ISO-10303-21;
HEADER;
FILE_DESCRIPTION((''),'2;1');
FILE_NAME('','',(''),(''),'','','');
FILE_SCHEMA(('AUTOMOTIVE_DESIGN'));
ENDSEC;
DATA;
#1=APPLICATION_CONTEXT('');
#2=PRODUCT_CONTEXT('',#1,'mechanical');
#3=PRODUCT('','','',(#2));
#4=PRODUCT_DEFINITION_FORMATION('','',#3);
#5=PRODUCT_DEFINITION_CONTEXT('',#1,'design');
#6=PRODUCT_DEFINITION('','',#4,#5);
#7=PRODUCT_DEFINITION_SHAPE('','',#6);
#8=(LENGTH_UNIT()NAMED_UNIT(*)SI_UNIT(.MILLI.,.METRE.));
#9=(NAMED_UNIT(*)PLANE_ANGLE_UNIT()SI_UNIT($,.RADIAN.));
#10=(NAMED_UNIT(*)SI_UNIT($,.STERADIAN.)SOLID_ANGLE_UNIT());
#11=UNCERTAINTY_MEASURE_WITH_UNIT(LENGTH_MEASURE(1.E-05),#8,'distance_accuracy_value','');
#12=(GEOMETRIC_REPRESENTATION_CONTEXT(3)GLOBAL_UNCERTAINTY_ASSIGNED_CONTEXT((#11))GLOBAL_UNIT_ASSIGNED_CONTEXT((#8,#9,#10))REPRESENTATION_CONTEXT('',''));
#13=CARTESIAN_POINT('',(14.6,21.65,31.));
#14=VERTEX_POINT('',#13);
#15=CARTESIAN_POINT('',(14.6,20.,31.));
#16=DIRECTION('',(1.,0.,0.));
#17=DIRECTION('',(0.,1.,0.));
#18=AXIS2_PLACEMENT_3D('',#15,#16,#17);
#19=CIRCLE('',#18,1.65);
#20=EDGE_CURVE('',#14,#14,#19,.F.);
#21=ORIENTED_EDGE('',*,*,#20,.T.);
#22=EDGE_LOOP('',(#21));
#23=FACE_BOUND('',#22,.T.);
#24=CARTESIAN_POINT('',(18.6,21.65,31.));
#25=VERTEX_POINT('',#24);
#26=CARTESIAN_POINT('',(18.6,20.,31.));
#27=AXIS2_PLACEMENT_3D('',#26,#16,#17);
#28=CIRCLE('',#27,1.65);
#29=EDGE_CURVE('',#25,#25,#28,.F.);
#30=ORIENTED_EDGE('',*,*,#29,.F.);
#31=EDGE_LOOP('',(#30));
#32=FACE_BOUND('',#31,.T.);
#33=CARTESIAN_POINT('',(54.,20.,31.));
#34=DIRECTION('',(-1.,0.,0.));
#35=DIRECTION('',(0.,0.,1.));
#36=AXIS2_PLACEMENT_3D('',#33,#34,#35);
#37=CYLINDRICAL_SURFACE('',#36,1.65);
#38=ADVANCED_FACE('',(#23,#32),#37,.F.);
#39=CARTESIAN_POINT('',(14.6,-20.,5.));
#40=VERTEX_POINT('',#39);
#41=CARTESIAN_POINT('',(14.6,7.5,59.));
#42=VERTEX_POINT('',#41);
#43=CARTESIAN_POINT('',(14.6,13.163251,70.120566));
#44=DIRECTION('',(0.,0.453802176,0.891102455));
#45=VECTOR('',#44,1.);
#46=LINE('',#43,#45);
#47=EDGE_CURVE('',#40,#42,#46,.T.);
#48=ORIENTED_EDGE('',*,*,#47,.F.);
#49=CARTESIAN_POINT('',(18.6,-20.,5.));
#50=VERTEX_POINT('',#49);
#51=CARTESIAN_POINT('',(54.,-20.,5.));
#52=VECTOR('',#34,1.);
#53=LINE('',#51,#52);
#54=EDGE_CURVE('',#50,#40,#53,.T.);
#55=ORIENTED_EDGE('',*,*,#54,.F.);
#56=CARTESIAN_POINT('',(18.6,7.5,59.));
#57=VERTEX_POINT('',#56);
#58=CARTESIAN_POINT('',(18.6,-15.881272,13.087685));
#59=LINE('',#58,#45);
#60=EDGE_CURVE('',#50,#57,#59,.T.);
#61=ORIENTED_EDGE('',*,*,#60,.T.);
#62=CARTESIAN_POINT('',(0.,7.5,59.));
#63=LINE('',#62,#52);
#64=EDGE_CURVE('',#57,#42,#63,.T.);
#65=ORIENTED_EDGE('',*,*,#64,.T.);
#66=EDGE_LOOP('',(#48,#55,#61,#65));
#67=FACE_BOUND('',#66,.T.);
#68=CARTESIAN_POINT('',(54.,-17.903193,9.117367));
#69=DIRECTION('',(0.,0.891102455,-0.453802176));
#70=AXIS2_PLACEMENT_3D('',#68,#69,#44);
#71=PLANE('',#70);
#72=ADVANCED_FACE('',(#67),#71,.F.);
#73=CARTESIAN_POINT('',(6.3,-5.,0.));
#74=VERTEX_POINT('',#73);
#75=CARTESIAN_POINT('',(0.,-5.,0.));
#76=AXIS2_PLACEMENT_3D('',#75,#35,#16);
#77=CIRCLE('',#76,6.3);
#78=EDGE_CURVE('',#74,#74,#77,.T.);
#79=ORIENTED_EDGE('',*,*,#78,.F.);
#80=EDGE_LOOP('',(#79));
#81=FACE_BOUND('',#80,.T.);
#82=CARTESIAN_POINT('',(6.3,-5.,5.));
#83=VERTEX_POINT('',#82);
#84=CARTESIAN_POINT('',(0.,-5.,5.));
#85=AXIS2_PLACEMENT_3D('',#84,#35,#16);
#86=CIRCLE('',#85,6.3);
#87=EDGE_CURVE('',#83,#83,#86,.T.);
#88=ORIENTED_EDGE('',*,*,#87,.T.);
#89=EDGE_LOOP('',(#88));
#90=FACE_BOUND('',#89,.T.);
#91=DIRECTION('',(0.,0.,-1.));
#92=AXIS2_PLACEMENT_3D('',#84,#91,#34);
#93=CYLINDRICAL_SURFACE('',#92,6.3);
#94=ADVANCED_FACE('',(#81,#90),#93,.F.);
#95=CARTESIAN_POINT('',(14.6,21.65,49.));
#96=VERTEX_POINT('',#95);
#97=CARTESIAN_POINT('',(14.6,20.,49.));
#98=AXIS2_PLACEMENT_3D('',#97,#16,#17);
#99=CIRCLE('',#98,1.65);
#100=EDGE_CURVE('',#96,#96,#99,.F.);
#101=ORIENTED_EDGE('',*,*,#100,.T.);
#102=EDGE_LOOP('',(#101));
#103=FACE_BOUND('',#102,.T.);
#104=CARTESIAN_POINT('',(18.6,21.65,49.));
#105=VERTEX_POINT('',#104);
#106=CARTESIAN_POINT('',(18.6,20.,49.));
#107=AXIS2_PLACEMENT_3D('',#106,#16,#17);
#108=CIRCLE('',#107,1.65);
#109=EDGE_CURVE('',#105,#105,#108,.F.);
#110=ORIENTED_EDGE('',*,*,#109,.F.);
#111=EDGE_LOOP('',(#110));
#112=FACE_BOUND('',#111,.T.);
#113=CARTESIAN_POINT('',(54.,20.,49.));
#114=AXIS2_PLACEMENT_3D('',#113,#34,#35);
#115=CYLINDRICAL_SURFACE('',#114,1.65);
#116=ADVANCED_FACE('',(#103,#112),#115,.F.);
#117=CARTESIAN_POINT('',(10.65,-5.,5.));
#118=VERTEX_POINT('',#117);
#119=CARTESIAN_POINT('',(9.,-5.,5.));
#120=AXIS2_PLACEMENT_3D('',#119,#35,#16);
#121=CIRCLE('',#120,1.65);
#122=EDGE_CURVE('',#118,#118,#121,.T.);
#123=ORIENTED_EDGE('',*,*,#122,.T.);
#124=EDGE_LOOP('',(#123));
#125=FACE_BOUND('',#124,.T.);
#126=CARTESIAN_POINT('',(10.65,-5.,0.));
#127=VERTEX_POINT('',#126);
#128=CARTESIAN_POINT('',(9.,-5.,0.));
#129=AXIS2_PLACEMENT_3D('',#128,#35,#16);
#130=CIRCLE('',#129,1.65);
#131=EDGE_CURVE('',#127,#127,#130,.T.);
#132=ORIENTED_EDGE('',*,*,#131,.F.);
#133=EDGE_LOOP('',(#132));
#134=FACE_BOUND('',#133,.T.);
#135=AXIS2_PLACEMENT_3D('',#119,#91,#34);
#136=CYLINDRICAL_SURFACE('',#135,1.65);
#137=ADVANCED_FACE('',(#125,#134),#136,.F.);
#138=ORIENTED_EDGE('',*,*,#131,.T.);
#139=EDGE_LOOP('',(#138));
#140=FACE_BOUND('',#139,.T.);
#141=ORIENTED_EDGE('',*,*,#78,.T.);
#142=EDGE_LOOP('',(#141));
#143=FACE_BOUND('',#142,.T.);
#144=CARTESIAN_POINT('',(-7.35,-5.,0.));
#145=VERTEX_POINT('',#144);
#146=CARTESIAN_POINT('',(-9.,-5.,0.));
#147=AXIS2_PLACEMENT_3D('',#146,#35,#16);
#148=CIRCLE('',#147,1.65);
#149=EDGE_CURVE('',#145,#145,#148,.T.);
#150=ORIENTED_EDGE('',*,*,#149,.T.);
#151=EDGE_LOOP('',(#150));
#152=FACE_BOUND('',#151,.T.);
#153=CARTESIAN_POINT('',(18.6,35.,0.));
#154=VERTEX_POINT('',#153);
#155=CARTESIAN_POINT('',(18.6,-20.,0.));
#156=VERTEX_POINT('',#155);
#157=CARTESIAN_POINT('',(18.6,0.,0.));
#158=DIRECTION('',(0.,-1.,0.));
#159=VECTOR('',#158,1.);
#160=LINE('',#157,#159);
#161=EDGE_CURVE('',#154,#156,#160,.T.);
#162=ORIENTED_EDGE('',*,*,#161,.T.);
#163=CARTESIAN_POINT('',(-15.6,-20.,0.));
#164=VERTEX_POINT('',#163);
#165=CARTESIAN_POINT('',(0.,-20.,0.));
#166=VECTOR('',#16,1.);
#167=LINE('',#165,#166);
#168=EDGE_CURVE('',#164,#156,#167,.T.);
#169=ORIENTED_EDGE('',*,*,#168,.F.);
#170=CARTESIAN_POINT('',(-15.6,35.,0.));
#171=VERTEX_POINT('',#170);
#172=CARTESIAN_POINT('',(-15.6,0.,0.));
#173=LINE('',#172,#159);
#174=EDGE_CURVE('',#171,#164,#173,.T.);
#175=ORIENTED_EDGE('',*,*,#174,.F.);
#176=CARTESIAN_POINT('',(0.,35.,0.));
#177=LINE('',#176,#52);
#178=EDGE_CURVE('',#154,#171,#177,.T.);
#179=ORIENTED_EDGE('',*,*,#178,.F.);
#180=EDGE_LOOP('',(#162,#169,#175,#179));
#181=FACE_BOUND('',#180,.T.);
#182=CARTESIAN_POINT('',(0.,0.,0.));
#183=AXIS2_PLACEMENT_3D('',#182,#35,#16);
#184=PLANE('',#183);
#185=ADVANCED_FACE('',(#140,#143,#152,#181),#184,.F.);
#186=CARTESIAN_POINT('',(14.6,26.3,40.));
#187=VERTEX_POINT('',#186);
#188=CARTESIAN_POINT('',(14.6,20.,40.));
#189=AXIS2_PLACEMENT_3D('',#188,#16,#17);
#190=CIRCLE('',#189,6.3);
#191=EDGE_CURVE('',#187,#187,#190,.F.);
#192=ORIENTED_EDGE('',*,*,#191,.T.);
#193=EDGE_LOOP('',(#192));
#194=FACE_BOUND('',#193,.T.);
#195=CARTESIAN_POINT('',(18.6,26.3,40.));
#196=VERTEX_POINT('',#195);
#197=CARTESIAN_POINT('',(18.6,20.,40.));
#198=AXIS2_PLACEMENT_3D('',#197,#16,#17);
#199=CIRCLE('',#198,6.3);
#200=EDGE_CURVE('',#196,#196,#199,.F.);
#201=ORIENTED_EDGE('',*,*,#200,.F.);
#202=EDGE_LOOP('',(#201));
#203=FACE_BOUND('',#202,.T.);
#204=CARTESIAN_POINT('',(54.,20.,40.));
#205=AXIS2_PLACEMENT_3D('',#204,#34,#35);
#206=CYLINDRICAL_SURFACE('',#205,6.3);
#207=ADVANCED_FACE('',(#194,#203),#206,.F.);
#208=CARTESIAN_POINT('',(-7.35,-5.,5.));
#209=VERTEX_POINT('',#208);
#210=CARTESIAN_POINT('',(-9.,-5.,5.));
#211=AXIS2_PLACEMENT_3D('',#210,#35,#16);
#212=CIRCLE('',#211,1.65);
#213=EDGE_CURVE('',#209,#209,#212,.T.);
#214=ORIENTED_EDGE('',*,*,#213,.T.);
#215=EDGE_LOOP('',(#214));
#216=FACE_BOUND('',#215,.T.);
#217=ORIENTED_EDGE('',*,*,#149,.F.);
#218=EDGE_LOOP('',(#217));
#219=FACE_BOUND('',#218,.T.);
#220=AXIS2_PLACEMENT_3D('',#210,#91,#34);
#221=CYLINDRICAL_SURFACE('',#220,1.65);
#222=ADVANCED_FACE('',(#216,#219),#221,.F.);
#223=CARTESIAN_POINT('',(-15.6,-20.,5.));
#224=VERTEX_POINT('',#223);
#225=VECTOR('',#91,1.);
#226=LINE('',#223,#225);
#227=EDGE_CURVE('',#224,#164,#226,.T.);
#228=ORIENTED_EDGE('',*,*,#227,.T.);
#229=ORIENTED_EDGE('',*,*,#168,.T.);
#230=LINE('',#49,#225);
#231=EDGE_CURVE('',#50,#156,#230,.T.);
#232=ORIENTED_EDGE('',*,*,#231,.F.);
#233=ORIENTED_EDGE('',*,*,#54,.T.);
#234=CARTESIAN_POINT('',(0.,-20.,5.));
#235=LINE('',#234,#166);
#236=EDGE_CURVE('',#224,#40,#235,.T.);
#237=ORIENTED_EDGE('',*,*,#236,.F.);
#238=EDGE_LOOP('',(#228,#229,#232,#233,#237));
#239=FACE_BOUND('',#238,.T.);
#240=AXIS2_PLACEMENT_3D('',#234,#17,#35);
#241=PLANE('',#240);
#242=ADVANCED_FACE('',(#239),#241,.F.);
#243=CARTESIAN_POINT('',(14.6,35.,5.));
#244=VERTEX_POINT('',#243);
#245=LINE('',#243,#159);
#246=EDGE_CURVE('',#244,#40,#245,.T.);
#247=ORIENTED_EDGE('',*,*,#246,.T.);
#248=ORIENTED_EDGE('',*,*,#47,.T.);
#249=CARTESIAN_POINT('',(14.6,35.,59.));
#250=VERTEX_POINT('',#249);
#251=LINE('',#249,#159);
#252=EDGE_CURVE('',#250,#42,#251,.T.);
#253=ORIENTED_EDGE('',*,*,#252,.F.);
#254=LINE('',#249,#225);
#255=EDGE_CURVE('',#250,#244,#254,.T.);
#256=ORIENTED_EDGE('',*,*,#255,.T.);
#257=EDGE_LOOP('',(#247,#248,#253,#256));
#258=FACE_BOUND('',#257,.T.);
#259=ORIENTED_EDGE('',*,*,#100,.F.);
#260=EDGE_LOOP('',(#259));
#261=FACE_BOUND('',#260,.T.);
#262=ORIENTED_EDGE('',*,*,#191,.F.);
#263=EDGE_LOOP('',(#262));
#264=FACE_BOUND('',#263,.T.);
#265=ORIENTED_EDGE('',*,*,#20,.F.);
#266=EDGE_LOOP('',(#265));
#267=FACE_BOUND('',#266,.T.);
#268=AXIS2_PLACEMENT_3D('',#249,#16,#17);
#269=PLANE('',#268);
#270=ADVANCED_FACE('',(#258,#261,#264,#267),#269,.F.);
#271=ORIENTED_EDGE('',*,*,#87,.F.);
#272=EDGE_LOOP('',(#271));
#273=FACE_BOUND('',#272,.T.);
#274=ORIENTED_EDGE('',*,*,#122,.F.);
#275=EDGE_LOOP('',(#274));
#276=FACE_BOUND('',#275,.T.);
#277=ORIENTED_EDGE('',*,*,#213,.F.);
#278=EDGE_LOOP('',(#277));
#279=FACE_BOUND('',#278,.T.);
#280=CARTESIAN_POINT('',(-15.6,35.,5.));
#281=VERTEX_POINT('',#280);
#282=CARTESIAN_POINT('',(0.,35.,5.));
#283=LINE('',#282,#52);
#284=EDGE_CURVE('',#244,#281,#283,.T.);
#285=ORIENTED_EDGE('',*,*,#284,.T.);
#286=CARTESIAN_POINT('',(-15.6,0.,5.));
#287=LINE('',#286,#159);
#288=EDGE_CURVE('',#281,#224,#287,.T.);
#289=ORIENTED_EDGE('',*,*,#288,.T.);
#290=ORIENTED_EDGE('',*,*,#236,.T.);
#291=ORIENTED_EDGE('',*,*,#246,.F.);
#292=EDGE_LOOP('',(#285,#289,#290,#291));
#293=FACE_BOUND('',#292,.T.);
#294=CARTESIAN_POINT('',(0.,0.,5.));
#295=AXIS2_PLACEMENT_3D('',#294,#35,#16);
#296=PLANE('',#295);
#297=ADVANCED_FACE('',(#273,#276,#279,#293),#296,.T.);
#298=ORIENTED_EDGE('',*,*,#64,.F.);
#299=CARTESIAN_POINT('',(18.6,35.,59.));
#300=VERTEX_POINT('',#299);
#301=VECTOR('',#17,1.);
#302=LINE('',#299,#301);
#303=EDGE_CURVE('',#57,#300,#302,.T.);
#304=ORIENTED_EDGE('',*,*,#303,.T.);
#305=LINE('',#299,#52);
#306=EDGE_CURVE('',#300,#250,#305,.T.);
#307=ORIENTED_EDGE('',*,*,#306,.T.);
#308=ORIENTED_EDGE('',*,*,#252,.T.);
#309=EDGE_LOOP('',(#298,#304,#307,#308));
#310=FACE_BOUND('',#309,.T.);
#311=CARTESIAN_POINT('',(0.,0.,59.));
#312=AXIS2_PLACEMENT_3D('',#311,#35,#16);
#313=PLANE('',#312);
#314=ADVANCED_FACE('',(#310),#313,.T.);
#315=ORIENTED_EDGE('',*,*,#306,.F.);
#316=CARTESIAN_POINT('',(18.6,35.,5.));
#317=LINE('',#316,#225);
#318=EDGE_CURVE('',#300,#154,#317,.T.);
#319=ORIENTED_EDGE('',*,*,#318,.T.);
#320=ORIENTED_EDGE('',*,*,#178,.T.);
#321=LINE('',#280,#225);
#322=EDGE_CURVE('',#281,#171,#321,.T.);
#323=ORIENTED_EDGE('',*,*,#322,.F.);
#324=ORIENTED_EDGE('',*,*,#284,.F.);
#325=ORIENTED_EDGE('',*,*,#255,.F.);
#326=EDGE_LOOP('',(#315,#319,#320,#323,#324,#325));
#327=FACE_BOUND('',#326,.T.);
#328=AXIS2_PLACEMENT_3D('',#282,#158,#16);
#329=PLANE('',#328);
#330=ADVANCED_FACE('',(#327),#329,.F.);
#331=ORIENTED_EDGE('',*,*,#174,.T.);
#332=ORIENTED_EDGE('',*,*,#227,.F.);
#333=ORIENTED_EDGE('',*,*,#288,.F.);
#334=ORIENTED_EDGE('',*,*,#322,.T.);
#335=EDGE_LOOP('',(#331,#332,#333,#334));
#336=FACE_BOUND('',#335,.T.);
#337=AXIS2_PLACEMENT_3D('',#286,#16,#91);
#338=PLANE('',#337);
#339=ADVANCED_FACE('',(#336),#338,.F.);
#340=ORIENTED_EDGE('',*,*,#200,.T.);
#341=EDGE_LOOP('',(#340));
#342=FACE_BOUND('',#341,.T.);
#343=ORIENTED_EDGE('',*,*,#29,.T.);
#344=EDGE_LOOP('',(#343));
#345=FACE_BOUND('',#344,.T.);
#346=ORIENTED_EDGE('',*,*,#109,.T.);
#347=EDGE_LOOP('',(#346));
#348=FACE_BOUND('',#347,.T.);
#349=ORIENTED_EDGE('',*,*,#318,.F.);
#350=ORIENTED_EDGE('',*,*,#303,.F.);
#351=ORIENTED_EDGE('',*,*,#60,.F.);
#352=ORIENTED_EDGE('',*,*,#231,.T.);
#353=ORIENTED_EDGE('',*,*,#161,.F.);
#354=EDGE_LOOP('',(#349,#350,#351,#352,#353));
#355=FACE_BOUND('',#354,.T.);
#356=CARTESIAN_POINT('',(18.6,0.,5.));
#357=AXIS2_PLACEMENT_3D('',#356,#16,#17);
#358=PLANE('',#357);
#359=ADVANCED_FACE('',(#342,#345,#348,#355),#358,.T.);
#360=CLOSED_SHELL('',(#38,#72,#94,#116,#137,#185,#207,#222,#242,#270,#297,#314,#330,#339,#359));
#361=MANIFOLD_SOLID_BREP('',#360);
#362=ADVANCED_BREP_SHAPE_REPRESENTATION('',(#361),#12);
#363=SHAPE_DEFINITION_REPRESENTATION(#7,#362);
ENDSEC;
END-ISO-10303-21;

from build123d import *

# Parameters (mm, degrees)
SKETCH_2_R          = 1.65
SKETCH_2_R_2        = 6.3
EXTRUDE_1_DEPTH     = 5
SKETCH_4_W          = 4
SKETCH_4_H          = 55
EXTRUDE_3_DEPTH     = 54
CUT_EXTRUDE_1_DEPTH = 54


with BuildPart() as part:
    # 草图2 → 凸台-拉伸1 (new body)
    with BuildSketch(Plane.XY):
        Polygon((15.6, 35), (0, 35), (-15.6, 35), (-15.6, -20), (18.6, -20), (18.6, 35), align=None)
        with Locations((-9, -5)):
            Circle(SKETCH_2_R, mode=Mode.SUBTRACT)
        with Locations((0, -5)):
            Circle(SKETCH_2_R_2, mode=Mode.SUBTRACT)
        with Locations((9, -5)):
            Circle(SKETCH_2_R, mode=Mode.SUBTRACT)
    extrude(amount=EXTRUDE_1_DEPTH)

    # 草图4 → 凸台-拉伸3 (add)
    with BuildSketch(Plane.XY.offset(5)):
        with Locations((16.6, 7.5)):
            Rectangle(SKETCH_4_W, SKETCH_4_H)
    extrude(amount=EXTRUDE_3_DEPTH)

    # 草图6 → 切除-拉伸1 (cut)
    with BuildSketch(Plane(origin=(0, 0, 0), x_dir=(0, 0, -1), z_dir=(1, 0, 0))):
        Polygon((-59, 7.5), (-59, -20), (-5, -20), align=None)
        with BuildLine():
            ThreePointArc((-32.65, 20), (-31, 18.35), (-29.35, 20))
            Line((-29.35, 20), (-32.65, 20))
        make_face()
        with BuildLine():
            Line((-32.65, 20), (-29.35, 20))
            ThreePointArc((-29.35, 20), (-31, 21.65), (-32.65, 20))
        make_face()
        with BuildLine():
            ThreePointArc((-33.7, 20), (-40, 26.3), (-46.3, 20))
            Line((-46.3, 20), (-33.7, 20))
        make_face()
        with BuildLine():
            Line((-33.7, 20), (-46.3, 20))
            ThreePointArc((-46.3, 20), (-40, 13.7), (-33.7, 20))
        make_face()
        with BuildLine():
            ThreePointArc((-47.35, 20), (-49, 21.65), (-50.65, 20))
            Line((-50.65, 20), (-47.35, 20))
        make_face()
        with BuildLine():
            Line((-47.35, 20), (-50.65, 20))
            ThreePointArc((-50.65, 20), (-49, 18.35), (-47.35, 20))
        make_face()
    extrude(amount=CUT_EXTRUDE_1_DEPTH, mode=Mode.SUBTRACT)


solid = part.part
